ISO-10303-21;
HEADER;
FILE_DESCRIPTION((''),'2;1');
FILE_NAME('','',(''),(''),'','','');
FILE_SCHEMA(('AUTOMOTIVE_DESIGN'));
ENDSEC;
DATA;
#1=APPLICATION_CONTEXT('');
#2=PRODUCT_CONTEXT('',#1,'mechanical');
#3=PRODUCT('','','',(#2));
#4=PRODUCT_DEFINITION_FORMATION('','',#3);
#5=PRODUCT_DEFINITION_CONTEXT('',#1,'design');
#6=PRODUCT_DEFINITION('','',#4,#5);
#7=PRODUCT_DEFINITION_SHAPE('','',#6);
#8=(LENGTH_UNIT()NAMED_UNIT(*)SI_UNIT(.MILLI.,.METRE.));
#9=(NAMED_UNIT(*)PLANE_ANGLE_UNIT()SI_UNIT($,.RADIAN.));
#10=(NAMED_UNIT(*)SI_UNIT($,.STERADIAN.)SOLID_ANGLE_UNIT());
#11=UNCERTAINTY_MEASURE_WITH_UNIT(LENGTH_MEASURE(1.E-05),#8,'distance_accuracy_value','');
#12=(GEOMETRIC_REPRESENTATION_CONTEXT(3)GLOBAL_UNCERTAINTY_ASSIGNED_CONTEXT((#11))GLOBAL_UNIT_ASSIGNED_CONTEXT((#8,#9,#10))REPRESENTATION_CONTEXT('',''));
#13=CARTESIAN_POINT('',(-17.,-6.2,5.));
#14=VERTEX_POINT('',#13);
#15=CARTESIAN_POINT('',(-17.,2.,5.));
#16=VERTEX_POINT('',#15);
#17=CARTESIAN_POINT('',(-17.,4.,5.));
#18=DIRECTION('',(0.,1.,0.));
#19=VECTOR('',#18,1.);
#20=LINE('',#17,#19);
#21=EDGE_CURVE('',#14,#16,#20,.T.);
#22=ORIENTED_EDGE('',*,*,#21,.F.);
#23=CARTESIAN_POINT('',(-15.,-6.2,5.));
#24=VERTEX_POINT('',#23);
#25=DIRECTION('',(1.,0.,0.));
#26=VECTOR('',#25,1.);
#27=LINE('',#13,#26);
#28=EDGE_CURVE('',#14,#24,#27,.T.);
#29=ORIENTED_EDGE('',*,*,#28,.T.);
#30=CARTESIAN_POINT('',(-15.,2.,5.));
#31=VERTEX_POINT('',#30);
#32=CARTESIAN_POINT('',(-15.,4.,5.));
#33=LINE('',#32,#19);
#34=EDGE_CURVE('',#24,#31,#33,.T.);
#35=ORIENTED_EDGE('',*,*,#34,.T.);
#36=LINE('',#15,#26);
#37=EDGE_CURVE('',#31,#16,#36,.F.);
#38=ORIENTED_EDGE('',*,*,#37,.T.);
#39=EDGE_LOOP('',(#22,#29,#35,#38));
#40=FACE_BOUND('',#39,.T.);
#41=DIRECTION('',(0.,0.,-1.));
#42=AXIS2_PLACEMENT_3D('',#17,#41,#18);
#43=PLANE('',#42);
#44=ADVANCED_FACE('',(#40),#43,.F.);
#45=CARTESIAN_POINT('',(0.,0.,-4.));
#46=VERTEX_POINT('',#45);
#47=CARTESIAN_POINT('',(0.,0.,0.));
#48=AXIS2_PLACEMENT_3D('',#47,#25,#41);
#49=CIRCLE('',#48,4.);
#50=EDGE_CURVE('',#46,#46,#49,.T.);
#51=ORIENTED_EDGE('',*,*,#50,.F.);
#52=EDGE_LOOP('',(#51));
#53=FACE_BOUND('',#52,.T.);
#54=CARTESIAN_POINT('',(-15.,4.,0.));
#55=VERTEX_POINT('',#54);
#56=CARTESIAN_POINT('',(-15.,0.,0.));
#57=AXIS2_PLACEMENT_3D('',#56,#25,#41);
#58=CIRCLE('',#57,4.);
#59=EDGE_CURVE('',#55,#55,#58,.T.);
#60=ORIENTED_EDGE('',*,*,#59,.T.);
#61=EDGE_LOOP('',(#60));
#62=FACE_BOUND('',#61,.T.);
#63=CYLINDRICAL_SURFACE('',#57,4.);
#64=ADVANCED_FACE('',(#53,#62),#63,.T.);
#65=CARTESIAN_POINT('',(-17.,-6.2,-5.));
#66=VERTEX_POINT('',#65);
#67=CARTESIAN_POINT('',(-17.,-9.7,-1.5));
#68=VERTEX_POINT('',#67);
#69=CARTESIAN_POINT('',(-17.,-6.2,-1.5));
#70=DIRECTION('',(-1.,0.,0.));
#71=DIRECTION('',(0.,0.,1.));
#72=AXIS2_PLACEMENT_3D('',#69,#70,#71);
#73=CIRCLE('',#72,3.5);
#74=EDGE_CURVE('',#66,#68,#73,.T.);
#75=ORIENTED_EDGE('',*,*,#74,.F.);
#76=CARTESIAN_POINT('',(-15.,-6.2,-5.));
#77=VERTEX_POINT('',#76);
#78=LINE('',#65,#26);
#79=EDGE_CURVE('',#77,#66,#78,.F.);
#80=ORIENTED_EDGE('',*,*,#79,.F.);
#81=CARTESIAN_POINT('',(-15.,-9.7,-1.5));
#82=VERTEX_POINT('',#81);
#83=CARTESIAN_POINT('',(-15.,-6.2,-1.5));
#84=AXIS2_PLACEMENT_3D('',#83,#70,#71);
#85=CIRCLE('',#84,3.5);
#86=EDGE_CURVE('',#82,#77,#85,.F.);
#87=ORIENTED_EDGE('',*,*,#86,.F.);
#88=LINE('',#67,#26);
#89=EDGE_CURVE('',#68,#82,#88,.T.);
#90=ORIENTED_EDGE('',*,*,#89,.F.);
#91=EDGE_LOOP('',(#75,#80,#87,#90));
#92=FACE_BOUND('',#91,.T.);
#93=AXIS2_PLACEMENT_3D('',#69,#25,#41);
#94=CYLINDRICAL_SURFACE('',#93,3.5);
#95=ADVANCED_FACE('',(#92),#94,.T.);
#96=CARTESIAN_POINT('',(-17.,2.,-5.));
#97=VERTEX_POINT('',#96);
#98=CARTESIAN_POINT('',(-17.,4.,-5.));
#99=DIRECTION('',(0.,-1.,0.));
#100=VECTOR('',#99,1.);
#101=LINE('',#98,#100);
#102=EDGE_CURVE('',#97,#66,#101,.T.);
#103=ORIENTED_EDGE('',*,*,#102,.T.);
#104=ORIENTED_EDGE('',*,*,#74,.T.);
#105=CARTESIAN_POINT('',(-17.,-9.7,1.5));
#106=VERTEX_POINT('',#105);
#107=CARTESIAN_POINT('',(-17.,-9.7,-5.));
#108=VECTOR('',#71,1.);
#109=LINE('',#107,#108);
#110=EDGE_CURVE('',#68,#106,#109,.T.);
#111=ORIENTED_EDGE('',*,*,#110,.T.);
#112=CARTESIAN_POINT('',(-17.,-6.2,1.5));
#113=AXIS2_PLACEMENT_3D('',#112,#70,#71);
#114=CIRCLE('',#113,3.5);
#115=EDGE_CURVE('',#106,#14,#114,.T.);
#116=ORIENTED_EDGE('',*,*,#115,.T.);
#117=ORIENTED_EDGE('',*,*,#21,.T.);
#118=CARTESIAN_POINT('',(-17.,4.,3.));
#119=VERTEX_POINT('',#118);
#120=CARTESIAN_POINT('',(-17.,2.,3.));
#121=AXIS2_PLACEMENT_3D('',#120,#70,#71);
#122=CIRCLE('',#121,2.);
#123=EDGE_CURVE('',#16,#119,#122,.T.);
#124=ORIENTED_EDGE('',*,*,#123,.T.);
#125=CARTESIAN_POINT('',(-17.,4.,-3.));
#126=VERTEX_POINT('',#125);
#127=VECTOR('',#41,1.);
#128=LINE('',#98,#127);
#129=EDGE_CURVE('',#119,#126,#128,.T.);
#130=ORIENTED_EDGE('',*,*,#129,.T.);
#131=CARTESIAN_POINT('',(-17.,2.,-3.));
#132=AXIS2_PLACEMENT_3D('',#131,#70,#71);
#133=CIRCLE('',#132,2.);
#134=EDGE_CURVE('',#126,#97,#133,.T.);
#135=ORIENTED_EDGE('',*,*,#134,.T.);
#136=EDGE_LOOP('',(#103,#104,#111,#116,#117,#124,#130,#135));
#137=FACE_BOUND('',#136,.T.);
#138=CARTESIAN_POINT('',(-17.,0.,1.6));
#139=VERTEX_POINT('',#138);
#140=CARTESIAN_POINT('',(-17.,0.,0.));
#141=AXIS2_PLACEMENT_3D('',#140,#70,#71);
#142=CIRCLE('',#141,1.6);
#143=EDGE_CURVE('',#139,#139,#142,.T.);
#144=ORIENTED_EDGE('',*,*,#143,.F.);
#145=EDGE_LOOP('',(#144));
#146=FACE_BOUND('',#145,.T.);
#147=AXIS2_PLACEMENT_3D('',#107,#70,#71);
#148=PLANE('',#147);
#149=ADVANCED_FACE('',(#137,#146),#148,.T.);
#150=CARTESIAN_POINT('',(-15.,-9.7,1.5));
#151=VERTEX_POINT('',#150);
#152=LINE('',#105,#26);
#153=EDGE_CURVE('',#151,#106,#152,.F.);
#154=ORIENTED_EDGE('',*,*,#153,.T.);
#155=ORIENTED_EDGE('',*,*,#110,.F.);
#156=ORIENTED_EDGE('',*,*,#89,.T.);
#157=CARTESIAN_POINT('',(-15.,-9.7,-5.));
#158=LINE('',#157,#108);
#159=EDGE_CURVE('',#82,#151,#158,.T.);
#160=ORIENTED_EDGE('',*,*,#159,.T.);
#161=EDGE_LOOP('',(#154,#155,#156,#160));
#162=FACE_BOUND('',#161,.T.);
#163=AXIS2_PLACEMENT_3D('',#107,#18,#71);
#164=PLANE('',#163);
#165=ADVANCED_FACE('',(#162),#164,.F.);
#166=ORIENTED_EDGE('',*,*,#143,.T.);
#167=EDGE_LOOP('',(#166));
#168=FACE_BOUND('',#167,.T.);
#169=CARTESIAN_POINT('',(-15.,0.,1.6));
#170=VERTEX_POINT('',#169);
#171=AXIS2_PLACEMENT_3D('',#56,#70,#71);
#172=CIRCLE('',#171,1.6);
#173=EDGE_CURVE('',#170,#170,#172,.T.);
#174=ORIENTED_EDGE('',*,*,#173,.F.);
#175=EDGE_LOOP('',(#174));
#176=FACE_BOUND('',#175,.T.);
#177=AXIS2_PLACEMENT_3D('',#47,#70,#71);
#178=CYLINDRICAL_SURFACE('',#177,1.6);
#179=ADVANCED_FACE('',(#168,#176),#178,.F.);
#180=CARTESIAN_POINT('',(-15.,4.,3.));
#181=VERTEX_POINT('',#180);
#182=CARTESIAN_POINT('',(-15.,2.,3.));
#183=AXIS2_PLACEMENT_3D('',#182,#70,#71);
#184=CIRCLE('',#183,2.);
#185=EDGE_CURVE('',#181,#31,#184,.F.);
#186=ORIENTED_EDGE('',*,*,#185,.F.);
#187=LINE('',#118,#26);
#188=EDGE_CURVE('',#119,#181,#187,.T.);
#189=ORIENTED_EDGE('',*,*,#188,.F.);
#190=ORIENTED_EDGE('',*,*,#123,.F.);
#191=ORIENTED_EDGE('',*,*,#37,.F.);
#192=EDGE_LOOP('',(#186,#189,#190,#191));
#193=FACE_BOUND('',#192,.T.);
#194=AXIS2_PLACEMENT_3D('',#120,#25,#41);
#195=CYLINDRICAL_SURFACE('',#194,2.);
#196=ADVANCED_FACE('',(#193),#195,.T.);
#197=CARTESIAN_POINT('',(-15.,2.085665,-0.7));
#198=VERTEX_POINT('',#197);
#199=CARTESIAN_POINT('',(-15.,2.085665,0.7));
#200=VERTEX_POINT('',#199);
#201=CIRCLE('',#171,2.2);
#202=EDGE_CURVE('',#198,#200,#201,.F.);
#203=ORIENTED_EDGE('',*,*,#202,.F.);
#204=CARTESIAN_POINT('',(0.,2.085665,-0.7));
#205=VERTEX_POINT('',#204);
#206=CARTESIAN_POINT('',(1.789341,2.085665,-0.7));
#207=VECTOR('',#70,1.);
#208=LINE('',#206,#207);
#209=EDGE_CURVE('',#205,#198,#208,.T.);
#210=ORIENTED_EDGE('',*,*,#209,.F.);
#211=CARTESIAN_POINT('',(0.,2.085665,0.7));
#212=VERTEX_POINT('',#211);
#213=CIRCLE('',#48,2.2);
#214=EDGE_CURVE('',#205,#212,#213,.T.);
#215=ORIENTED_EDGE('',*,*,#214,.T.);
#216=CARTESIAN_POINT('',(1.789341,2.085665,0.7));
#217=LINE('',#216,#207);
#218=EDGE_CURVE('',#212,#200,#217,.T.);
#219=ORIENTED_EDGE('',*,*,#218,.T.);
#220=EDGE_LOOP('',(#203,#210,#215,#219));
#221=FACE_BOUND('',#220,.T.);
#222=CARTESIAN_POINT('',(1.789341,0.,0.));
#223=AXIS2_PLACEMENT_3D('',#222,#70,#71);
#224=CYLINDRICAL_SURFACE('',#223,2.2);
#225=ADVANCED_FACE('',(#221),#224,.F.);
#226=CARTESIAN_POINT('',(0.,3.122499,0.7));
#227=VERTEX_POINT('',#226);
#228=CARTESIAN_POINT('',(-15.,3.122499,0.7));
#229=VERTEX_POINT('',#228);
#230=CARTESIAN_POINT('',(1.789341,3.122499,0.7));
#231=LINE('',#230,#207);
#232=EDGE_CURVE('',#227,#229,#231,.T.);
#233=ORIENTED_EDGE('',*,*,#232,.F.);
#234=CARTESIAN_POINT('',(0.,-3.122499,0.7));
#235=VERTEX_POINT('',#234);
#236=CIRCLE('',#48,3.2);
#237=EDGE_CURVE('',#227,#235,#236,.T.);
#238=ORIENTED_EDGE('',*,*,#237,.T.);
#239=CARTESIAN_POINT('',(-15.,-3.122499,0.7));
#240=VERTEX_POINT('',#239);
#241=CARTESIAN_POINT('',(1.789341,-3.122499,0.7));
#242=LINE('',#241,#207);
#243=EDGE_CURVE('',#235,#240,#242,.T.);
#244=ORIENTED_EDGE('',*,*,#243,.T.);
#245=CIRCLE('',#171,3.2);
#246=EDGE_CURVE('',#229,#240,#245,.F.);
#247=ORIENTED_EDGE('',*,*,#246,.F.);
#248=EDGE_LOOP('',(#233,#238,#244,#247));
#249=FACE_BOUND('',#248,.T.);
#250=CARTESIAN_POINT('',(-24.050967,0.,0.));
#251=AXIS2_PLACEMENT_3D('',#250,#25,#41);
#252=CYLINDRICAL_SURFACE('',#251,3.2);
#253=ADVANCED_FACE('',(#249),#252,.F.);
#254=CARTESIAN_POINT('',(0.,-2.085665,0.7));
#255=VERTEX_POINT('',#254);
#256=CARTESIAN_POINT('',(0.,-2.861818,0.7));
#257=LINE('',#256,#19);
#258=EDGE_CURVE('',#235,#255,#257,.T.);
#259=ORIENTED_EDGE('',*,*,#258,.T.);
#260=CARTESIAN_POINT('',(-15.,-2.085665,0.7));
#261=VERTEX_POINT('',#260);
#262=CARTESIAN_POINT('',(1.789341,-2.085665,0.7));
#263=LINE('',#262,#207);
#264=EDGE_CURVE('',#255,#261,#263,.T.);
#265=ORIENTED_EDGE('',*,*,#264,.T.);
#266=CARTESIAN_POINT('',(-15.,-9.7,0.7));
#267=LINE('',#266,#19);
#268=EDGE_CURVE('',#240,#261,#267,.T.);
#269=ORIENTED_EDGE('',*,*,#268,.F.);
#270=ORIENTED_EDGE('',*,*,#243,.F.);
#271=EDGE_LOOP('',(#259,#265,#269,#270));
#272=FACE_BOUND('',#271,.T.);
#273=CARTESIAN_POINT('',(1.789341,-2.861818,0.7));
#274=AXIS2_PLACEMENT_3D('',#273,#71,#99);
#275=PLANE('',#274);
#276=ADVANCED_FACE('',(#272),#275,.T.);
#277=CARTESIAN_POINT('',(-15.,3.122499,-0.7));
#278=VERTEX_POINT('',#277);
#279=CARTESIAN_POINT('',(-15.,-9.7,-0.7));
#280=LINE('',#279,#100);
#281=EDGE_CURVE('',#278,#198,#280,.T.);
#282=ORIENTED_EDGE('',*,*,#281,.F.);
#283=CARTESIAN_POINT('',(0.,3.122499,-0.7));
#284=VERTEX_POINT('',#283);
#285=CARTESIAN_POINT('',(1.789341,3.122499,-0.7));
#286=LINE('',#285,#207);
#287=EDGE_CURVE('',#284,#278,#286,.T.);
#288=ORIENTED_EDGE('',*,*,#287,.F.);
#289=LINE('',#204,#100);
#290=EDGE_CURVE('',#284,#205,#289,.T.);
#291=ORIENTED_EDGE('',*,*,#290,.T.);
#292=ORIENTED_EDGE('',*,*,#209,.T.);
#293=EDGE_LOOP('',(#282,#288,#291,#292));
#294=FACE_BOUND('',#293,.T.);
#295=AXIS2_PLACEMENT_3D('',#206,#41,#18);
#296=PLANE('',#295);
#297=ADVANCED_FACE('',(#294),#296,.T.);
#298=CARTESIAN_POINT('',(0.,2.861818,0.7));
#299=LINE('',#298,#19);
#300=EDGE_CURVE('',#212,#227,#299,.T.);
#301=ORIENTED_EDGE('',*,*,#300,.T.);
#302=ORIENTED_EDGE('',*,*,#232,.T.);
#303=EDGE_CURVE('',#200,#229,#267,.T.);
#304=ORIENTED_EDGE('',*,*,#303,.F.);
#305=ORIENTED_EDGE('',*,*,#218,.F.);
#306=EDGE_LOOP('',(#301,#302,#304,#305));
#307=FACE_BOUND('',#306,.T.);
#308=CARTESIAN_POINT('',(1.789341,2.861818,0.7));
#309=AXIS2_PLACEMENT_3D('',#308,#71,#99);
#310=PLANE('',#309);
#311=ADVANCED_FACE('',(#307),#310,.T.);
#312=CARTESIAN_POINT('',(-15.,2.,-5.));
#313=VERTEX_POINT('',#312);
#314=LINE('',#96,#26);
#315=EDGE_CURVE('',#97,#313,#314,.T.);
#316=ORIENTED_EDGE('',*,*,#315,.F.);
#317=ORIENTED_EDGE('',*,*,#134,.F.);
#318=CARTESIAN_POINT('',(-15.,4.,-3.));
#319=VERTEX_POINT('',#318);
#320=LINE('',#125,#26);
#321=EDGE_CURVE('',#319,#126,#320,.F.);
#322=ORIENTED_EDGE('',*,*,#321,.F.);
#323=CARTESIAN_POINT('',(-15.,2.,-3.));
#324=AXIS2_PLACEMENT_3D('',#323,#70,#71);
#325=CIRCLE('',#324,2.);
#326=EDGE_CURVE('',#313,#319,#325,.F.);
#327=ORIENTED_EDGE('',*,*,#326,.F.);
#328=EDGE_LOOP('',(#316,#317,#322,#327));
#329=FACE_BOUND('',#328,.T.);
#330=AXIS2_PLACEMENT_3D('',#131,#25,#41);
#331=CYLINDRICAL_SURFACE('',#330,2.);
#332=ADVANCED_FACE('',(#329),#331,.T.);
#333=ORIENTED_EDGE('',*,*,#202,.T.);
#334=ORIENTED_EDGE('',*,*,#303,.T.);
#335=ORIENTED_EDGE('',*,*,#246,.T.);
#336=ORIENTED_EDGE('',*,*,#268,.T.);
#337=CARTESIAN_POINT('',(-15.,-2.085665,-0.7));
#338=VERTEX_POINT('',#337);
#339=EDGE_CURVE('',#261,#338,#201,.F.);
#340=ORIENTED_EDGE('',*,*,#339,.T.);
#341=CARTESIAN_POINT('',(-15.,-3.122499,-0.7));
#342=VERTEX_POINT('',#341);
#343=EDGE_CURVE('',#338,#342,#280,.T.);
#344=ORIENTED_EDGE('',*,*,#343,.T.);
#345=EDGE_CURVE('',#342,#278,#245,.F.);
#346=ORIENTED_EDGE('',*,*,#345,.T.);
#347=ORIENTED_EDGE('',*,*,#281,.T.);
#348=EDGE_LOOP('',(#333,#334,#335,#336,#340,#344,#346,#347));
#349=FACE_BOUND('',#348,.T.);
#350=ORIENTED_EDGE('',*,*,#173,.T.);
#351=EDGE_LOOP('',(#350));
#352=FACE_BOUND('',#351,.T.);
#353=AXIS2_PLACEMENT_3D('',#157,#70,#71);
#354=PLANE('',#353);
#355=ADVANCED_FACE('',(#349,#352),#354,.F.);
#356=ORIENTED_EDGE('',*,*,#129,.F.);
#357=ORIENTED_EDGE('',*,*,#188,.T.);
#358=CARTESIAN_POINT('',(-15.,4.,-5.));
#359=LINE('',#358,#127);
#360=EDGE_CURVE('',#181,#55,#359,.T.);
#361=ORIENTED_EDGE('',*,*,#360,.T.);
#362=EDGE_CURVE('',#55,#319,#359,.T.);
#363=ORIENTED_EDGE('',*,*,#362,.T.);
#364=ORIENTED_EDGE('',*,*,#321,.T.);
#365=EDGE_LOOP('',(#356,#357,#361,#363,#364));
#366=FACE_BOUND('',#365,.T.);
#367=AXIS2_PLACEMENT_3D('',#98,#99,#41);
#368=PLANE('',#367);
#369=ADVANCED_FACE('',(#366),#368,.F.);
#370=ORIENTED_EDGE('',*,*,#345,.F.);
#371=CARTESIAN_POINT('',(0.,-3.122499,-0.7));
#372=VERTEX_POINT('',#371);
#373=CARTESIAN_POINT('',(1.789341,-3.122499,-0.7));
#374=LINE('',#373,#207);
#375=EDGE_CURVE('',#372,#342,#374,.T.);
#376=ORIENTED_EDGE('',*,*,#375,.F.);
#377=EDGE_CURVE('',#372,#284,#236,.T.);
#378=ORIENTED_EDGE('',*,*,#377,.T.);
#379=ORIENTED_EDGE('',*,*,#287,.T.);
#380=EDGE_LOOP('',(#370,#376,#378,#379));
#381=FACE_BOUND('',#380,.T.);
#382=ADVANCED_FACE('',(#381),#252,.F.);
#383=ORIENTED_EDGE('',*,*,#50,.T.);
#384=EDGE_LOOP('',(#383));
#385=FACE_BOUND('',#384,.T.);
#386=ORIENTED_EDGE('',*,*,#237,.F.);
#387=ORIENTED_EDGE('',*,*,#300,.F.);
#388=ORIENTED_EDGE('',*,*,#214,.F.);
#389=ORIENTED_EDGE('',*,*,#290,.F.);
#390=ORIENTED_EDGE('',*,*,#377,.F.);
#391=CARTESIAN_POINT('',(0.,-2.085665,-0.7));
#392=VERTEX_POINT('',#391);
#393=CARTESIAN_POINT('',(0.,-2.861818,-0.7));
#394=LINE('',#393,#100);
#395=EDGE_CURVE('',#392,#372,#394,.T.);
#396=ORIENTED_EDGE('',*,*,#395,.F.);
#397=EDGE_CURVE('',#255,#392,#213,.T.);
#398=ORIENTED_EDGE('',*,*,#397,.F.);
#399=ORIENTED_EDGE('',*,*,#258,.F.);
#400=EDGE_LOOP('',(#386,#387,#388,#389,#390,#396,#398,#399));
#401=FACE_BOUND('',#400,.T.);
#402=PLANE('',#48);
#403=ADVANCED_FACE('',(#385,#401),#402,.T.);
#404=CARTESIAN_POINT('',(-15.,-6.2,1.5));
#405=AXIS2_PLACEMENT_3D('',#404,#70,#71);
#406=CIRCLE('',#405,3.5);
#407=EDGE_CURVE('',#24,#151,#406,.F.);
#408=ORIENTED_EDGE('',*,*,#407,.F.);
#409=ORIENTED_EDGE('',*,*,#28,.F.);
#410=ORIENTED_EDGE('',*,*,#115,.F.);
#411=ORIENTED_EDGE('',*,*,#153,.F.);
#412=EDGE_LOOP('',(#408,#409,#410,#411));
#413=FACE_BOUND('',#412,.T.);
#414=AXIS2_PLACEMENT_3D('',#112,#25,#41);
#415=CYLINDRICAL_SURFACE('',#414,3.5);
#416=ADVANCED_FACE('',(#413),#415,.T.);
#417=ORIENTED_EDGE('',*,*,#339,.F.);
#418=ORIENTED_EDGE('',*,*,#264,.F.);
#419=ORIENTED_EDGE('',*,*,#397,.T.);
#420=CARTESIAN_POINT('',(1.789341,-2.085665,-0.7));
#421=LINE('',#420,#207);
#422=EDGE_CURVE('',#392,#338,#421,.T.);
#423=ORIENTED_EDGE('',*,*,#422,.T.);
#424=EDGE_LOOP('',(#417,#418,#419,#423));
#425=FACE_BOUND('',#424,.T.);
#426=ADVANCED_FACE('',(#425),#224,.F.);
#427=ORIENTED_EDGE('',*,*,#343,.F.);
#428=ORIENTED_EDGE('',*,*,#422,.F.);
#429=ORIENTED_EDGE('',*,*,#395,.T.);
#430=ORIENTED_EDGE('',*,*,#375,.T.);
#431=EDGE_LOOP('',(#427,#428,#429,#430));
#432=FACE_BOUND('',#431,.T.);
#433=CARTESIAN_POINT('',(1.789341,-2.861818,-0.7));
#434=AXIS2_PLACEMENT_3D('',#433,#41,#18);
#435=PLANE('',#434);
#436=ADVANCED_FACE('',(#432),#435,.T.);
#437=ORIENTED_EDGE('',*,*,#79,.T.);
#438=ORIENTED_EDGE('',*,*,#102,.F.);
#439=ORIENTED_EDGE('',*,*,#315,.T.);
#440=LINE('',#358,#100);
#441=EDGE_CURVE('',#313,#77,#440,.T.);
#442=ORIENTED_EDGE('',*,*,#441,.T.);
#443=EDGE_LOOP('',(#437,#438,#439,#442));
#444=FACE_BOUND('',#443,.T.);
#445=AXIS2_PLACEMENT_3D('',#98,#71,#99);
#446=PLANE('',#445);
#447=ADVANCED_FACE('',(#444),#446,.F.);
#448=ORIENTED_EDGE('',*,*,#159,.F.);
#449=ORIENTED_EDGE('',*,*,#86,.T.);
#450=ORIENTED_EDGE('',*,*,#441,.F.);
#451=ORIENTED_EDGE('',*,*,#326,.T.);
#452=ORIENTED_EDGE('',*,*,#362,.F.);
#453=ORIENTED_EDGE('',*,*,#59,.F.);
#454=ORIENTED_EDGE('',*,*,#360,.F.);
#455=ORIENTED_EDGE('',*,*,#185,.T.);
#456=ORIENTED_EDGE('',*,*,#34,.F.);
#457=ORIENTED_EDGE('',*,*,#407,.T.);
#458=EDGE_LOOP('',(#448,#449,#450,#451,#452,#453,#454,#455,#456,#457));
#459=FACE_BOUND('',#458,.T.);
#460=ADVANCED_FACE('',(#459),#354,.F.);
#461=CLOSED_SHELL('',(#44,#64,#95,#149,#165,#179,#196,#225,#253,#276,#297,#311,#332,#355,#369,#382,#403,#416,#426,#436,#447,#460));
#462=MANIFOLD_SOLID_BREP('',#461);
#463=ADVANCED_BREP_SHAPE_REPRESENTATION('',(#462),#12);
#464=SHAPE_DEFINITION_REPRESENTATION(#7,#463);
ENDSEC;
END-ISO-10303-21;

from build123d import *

# Parameters (mm, degrees)
SKETCH2_R           = 4
BOSS_EXTRUDE1_DEPTH = 15
SKETCH3_W           = 10
SKETCH3_H           = 13.7
BOSS_EXTRUDE2_DEPTH = 2
SKETCH4_R           = 3.2
CUT_EXTRUDE1_DEPTH  = 15
SKETCH7_R           = 1.6
CUT_EXTRUDE4_DEPTH  = 21.201237586
BOSS_EXTRUDE3_START = -17
BOSS_EXTRUDE3_DEPTH = 17
FILLET2_R           = 2
FILLET3_R           = 3.5


with BuildPart() as part:
    # Sketch2 → Boss-Extrude1 (new body)
    with BuildSketch(Plane(origin=(0, 0, 0), x_dir=(0, 0, -1), z_dir=(1, 0, 0))):
        Circle(SKETCH2_R)
    extrude(amount=-BOSS_EXTRUDE1_DEPTH)

    # Sketch3 → Boss-Extrude2 (add)
    with BuildSketch(Plane.ZY.offset(15)):
        with Locations((0, -2.85)):
            Rectangle(SKETCH3_W, SKETCH3_H)
    extrude(amount=BOSS_EXTRUDE2_DEPTH)

    # Sketch4 → Cut-Extrude1 (cut)
    with BuildSketch(Plane(origin=(0, 0, 0), x_dir=(0, 0, -1), z_dir=(1, 0, 0))):
        Circle(SKETCH4_R)
    extrude(amount=-CUT_EXTRUDE1_DEPTH, mode=Mode.SUBTRACT)

    # Sketch7 → Cut-Extrude4 (cut, through all)
    with BuildSketch(Plane.ZY.offset(17)):
        Circle(SKETCH7_R)
    extrude(amount=-CUT_EXTRUDE4_DEPTH, mode=Mode.SUBTRACT)

    # Sketch6 → Boss-Extrude3 (add)
    with BuildSketch(Plane.ZY.offset(17).offset(BOSS_EXTRUDE3_START)):
        with BuildLine():
            Line((0.7, -2.861817604), (0.7, -2.085665361))
            ThreePointArc((0.7, -2.085665361), (0, -2.2), (-0.7, -2.085665361))
            Line((-0.7, -2.085665361), (-0.7, -2.861817604))
            Line((-0.7, -2.861817604), (-0.7, -3.122498999))
            ThreePointArc((-0.7, -3.122498999), (0, -3.2), (0.7, -3.122498999))
            Line((0.7, -3.122498999), (0.7, -2.861817604))
        make_face()
        with BuildLine():
            Line((-0.7, 2.085665361), (-0.7, 2.861817604))
            Line((-0.7, 2.861817604), (-0.7, 3.122498999))
            ThreePointArc((-0.7, 3.122498999), (0, 3.2), (0.7, 3.122498999))
            Line((0.7, 3.122498999), (0.7, 2.861817604))
            Line((0.7, 2.861817604), (0.7, 2.085665361))
            ThreePointArc((0.7, 2.085665361), (0, 2.2), (-0.7, 2.085665361))
        make_face()
    extrude(amount=BOSS_EXTRUDE3_DEPTH)

    # Fillet2
    fillet2_edges = [part.edges().sort_by_distance(p)[0] for p in [
        (-16, 4, -5),
        (-16, 4, 5),
    ]]
    fillet(fillet2_edges, radius=FILLET2_R)

    # Fillet3
    fillet3_edges = [part.edges().sort_by_distance(p)[0] for p in [
        (-16, -9.7, -5),
        (-16, -9.7, 5),
    ]]
    fillet(fillet3_edges, radius=FILLET3_R)


solid = part.part
